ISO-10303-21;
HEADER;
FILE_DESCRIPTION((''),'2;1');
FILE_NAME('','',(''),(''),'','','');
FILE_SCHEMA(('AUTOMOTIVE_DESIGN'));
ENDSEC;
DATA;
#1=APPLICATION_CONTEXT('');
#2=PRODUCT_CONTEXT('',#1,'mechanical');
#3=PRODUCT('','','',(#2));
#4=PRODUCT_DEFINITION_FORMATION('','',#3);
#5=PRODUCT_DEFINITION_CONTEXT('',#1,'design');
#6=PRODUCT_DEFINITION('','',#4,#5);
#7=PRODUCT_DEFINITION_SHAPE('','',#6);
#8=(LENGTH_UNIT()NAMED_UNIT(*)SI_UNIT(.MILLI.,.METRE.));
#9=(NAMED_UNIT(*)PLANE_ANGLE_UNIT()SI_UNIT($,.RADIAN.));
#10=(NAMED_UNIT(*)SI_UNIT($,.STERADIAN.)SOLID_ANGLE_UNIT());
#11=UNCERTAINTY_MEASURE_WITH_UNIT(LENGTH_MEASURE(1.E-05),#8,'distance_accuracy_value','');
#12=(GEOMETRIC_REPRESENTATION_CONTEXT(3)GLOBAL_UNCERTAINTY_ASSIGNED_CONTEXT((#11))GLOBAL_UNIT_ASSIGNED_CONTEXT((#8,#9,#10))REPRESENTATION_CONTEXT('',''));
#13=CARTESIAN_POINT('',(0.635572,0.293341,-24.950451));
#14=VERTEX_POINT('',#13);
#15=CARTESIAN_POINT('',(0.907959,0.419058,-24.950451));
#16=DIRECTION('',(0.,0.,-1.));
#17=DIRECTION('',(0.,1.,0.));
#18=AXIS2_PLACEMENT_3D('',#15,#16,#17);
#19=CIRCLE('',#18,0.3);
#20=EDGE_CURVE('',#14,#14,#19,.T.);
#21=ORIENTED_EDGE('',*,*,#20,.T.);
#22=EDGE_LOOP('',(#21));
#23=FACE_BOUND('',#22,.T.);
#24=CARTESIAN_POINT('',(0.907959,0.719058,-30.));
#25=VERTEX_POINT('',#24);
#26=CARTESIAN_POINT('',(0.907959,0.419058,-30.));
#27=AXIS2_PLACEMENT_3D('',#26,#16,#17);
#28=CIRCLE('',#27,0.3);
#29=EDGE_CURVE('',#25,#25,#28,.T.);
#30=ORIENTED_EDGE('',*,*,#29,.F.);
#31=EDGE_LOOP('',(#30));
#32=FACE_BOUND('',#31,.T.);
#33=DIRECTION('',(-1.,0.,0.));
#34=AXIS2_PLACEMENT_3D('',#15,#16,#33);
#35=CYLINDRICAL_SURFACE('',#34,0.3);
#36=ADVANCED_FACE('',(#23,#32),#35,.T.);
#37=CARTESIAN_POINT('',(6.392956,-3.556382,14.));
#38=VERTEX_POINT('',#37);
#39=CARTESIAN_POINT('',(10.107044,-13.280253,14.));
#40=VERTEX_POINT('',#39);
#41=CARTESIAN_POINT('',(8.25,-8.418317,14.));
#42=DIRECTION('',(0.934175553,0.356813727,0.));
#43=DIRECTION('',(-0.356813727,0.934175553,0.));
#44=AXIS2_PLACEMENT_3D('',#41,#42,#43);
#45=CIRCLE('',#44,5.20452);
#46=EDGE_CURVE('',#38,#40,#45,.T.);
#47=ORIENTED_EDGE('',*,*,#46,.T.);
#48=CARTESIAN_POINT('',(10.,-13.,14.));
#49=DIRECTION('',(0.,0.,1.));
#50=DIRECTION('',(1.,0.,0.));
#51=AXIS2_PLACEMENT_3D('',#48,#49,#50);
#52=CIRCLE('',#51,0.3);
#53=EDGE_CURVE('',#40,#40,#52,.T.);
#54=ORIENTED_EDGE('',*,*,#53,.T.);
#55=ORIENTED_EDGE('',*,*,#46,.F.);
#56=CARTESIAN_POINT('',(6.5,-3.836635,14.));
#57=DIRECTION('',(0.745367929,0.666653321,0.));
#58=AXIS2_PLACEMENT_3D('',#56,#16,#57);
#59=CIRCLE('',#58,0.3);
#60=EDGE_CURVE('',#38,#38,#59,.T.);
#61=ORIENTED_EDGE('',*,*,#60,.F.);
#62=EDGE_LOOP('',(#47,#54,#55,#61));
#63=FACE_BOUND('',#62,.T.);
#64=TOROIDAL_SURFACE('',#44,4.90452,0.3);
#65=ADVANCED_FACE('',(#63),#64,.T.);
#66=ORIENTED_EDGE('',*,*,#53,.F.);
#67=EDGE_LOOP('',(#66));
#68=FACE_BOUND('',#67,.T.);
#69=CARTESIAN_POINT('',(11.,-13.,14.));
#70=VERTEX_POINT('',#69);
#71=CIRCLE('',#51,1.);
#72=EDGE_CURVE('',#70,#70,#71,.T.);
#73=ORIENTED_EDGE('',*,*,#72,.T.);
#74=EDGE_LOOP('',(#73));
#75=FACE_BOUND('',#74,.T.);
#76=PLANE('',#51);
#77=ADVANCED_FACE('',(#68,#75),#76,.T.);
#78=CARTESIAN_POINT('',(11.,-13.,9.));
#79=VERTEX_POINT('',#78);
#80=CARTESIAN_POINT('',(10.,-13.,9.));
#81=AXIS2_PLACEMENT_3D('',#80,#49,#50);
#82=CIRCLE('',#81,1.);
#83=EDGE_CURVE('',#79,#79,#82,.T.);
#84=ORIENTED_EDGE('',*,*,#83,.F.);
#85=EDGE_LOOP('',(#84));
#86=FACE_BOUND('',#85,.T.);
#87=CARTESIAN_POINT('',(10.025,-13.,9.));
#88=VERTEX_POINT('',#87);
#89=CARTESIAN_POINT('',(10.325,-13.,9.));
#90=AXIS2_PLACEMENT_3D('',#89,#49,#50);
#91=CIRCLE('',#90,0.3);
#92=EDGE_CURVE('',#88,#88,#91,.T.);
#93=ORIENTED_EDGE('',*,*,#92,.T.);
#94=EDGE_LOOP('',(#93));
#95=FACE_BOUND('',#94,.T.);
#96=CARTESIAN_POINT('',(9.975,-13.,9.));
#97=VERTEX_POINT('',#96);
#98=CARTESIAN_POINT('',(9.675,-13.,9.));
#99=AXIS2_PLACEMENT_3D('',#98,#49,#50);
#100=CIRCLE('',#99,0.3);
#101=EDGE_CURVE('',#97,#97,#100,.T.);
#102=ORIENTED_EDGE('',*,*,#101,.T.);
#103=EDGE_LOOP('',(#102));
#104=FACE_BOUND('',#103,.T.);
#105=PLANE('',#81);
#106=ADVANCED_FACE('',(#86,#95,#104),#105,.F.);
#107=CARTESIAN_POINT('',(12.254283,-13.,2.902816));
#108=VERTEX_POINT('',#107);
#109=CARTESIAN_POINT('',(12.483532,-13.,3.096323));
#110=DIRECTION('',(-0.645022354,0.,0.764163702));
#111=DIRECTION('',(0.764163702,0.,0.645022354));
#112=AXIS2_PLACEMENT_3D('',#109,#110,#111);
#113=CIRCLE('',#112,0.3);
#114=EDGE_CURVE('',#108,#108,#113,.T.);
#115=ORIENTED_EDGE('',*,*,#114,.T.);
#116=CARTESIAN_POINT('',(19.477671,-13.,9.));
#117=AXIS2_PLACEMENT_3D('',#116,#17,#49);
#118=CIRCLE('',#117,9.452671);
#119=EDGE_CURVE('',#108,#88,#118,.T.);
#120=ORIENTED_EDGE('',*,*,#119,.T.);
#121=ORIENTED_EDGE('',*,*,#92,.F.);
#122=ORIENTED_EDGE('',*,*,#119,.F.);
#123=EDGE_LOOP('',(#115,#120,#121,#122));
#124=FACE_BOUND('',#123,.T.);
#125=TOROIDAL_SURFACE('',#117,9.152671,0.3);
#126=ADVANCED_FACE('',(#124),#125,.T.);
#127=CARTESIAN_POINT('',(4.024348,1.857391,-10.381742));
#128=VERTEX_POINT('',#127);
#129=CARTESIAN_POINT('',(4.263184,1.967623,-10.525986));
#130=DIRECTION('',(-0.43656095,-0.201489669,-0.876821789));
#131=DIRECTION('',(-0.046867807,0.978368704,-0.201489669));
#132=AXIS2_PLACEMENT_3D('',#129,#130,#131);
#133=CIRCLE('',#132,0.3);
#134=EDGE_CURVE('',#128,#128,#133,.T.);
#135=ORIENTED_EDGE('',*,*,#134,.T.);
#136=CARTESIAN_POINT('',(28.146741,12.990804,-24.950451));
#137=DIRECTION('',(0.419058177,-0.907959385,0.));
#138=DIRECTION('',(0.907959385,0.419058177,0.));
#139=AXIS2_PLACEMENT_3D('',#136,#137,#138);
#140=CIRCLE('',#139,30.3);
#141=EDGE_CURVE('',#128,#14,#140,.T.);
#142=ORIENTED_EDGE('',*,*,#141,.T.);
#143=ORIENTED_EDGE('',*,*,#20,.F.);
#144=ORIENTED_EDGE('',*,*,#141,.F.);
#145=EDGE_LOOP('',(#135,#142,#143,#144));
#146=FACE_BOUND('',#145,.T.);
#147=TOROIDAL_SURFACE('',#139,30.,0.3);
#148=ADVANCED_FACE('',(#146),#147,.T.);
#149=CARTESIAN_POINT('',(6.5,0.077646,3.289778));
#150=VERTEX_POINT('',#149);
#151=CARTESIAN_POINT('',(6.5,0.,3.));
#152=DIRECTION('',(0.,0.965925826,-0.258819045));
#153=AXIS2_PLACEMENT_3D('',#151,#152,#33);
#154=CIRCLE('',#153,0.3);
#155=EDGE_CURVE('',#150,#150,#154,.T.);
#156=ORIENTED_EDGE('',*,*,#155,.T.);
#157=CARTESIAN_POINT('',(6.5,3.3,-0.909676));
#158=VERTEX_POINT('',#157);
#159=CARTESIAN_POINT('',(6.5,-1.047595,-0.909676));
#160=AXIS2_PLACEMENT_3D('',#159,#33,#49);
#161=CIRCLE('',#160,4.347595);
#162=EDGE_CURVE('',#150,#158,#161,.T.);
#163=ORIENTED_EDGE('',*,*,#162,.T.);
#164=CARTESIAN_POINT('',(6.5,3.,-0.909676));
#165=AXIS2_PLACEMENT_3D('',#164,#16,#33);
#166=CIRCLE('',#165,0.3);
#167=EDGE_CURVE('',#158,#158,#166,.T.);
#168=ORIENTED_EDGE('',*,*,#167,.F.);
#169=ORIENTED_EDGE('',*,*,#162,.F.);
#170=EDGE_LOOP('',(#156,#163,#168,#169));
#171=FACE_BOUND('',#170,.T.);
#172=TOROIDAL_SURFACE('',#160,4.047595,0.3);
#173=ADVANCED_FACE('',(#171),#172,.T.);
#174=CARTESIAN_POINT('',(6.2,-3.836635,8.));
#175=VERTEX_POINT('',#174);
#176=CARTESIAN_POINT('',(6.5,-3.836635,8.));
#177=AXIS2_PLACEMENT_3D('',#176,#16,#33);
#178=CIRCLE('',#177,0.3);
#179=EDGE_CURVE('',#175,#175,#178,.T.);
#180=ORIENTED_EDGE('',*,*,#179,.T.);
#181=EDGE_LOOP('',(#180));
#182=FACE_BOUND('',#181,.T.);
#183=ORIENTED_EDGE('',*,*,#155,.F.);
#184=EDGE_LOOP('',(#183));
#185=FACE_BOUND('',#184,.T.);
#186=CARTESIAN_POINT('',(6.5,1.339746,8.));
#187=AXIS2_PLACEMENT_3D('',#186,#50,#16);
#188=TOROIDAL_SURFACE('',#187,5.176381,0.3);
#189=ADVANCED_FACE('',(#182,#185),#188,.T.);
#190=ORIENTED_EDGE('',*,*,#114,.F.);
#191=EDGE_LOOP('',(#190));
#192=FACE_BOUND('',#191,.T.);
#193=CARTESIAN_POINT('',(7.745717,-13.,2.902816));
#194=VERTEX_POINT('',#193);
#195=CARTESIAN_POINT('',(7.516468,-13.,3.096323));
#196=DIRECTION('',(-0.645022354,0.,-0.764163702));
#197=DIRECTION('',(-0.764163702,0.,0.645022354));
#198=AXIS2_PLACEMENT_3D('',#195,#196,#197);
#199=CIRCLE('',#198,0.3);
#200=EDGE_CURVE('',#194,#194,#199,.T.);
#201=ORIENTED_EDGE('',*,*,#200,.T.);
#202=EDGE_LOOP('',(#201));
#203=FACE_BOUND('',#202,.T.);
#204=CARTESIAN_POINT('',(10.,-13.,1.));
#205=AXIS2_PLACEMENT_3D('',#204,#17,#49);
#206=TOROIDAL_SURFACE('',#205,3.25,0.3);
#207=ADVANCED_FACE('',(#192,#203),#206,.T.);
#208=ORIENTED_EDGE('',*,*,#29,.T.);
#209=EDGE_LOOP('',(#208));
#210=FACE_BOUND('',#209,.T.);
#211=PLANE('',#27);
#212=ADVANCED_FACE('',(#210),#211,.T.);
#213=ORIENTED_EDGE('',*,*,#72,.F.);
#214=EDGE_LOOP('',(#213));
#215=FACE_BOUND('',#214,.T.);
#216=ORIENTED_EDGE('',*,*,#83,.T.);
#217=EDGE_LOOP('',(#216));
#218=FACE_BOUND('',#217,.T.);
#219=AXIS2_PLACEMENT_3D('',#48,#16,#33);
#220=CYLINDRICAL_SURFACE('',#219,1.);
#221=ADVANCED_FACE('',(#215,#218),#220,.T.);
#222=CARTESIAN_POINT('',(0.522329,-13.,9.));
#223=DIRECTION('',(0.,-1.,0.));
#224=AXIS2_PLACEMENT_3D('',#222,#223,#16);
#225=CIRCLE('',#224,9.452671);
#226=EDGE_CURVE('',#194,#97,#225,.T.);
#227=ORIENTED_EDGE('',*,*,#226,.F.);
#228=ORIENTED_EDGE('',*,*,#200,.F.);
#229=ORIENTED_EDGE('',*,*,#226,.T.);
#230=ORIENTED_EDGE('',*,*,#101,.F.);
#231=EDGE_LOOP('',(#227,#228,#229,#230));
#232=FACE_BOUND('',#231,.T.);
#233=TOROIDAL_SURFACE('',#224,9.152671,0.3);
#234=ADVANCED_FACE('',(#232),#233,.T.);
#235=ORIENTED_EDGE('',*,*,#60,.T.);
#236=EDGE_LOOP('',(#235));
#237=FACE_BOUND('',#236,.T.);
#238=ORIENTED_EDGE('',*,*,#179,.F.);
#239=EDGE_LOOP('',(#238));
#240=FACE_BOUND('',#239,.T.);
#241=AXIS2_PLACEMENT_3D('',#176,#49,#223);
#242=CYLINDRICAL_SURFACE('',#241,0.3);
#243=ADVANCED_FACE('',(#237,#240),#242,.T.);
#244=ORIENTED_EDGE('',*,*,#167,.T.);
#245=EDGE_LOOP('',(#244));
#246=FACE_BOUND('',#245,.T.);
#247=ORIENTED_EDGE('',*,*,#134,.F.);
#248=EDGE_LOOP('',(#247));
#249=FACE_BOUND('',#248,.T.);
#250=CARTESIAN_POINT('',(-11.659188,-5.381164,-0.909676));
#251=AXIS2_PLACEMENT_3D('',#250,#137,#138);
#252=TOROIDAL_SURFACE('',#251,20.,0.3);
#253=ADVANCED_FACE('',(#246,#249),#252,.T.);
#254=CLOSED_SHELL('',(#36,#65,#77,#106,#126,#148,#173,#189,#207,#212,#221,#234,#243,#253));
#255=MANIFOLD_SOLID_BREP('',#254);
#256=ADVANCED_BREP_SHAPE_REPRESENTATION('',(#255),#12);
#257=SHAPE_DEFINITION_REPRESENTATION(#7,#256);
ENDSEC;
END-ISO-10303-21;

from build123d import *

# Parameters (mm, degrees)
SKETCH3_R      = 0.3
SKETCH4_R      = 1
EXTRUDE1_DEPTH = 5
SKETCH7_R      = 0.3
SKETCH8_R      = 0.3
SKETCH10_R     = 0.3


with BuildPart() as part:
    # Sweep1: sweep along a path in Sketch2
    with BuildLine(Plane(origin=(0, -13, 0), x_dir=(-1, 0, 0), z_dir=(0, 1, 0))) as sweep1_path:
        ThreePointArc((-10.325, 9), (-10.881554454, 5.85704491), (-12.483532031, 3.096322649))
        ThreePointArc((-12.483532031, 3.096322649), (-10, -2.25), (-7.516467969, 3.096322649))
        ThreePointArc((-7.516467969, 3.096322649), (-9.118445546, 5.85704491), (-9.675, 9))
    # Sketch3 → Sweep1 (sweep)
    with BuildSketch(Plane.XY.offset(9)):
        with Locations((10.325, -13)):
            Circle(SKETCH3_R)
    sweep(path=sweep1_path.line)

    # Sketch4 → Extrude1 (add)
    with BuildSketch(Plane.XY.offset(9)):
        with Locations((10, -13)):
            Circle(SKETCH4_R)
    extrude(amount=EXTRUDE1_DEPTH)

    # Sweep2: sweep along a path in Sketch6
    with BuildLine(Plane(origin=(4.393593056, 1.678158143, 0), x_dir=(0, 0, 1), z_dir=(-0.934175553, -0.356813727, 0))) as sweep2_path:
        ThreePointArc((14, -15.71241946), (18.904519834, -10.807899626), (14, -5.903379792))
    # Sketch7 → Sweep2 (sweep)
    with BuildSketch(Plane.XY.offset(14)):
        with Locations((10, -13)):
            Circle(SKETCH7_R)
    sweep(path=sweep2_path.line)

    # Sweep3: sweep along a path in Sketch5
    with BuildLine(Plane(origin=(6.5, 0, 0), x_dir=(0, 0, -1), z_dir=(1, 0, 0))) as sweep3_path:
        Line((-14, -3.83663494), (-8, -3.83663494))
        ThreePointArc((-8, -3.83663494), (-4.848818965, -2.766953117), (-3, 0))
        ThreePointArc((-3, 0), (-1.554343329, 2.163578105), (0.909676119, 3))
    # Sketch8 → Sweep3 (sweep)
    with BuildSketch(Plane(origin=(0, 0, 14), x_dir=(0.996598195, -0.08241382, 0), z_dir=(0, 0, -1))):
        with Locations((6.79408001, 3.287893624)):
            Circle(SKETCH8_R)
    sweep(path=sweep3_path.line)

    # Sweep4: sweep along a path in Sketch9
    with BuildLine(Plane(origin=(0, 0, 0), x_dir=(-0.907959385, -0.419058177, 0), z_dir=(-0.419058177, 0.907959385, 0))) as sweep4_path:
        Line((-1, -30), (-1, -24.95045136))
        ThreePointArc((-1, -24.95045136), (-1.93851681, -17.505305641), (-4.695346319, -10.525986215))
        ThreePointArc((-4.695346319, -10.525986215), (-6.533232658, -5.873106598), (-7.158910532, -0.909676119))
    # Sketch10 → Sweep4 (sweep)
    with BuildSketch(Plane(origin=(0, 0, -0.909676119), x_dir=(-1, 0, 0), z_dir=(0, 0, -1))):
        with Locations((-6.5, 3)):
            Circle(SKETCH10_R)
    sweep(path=sweep4_path.line)


solid = part.part
